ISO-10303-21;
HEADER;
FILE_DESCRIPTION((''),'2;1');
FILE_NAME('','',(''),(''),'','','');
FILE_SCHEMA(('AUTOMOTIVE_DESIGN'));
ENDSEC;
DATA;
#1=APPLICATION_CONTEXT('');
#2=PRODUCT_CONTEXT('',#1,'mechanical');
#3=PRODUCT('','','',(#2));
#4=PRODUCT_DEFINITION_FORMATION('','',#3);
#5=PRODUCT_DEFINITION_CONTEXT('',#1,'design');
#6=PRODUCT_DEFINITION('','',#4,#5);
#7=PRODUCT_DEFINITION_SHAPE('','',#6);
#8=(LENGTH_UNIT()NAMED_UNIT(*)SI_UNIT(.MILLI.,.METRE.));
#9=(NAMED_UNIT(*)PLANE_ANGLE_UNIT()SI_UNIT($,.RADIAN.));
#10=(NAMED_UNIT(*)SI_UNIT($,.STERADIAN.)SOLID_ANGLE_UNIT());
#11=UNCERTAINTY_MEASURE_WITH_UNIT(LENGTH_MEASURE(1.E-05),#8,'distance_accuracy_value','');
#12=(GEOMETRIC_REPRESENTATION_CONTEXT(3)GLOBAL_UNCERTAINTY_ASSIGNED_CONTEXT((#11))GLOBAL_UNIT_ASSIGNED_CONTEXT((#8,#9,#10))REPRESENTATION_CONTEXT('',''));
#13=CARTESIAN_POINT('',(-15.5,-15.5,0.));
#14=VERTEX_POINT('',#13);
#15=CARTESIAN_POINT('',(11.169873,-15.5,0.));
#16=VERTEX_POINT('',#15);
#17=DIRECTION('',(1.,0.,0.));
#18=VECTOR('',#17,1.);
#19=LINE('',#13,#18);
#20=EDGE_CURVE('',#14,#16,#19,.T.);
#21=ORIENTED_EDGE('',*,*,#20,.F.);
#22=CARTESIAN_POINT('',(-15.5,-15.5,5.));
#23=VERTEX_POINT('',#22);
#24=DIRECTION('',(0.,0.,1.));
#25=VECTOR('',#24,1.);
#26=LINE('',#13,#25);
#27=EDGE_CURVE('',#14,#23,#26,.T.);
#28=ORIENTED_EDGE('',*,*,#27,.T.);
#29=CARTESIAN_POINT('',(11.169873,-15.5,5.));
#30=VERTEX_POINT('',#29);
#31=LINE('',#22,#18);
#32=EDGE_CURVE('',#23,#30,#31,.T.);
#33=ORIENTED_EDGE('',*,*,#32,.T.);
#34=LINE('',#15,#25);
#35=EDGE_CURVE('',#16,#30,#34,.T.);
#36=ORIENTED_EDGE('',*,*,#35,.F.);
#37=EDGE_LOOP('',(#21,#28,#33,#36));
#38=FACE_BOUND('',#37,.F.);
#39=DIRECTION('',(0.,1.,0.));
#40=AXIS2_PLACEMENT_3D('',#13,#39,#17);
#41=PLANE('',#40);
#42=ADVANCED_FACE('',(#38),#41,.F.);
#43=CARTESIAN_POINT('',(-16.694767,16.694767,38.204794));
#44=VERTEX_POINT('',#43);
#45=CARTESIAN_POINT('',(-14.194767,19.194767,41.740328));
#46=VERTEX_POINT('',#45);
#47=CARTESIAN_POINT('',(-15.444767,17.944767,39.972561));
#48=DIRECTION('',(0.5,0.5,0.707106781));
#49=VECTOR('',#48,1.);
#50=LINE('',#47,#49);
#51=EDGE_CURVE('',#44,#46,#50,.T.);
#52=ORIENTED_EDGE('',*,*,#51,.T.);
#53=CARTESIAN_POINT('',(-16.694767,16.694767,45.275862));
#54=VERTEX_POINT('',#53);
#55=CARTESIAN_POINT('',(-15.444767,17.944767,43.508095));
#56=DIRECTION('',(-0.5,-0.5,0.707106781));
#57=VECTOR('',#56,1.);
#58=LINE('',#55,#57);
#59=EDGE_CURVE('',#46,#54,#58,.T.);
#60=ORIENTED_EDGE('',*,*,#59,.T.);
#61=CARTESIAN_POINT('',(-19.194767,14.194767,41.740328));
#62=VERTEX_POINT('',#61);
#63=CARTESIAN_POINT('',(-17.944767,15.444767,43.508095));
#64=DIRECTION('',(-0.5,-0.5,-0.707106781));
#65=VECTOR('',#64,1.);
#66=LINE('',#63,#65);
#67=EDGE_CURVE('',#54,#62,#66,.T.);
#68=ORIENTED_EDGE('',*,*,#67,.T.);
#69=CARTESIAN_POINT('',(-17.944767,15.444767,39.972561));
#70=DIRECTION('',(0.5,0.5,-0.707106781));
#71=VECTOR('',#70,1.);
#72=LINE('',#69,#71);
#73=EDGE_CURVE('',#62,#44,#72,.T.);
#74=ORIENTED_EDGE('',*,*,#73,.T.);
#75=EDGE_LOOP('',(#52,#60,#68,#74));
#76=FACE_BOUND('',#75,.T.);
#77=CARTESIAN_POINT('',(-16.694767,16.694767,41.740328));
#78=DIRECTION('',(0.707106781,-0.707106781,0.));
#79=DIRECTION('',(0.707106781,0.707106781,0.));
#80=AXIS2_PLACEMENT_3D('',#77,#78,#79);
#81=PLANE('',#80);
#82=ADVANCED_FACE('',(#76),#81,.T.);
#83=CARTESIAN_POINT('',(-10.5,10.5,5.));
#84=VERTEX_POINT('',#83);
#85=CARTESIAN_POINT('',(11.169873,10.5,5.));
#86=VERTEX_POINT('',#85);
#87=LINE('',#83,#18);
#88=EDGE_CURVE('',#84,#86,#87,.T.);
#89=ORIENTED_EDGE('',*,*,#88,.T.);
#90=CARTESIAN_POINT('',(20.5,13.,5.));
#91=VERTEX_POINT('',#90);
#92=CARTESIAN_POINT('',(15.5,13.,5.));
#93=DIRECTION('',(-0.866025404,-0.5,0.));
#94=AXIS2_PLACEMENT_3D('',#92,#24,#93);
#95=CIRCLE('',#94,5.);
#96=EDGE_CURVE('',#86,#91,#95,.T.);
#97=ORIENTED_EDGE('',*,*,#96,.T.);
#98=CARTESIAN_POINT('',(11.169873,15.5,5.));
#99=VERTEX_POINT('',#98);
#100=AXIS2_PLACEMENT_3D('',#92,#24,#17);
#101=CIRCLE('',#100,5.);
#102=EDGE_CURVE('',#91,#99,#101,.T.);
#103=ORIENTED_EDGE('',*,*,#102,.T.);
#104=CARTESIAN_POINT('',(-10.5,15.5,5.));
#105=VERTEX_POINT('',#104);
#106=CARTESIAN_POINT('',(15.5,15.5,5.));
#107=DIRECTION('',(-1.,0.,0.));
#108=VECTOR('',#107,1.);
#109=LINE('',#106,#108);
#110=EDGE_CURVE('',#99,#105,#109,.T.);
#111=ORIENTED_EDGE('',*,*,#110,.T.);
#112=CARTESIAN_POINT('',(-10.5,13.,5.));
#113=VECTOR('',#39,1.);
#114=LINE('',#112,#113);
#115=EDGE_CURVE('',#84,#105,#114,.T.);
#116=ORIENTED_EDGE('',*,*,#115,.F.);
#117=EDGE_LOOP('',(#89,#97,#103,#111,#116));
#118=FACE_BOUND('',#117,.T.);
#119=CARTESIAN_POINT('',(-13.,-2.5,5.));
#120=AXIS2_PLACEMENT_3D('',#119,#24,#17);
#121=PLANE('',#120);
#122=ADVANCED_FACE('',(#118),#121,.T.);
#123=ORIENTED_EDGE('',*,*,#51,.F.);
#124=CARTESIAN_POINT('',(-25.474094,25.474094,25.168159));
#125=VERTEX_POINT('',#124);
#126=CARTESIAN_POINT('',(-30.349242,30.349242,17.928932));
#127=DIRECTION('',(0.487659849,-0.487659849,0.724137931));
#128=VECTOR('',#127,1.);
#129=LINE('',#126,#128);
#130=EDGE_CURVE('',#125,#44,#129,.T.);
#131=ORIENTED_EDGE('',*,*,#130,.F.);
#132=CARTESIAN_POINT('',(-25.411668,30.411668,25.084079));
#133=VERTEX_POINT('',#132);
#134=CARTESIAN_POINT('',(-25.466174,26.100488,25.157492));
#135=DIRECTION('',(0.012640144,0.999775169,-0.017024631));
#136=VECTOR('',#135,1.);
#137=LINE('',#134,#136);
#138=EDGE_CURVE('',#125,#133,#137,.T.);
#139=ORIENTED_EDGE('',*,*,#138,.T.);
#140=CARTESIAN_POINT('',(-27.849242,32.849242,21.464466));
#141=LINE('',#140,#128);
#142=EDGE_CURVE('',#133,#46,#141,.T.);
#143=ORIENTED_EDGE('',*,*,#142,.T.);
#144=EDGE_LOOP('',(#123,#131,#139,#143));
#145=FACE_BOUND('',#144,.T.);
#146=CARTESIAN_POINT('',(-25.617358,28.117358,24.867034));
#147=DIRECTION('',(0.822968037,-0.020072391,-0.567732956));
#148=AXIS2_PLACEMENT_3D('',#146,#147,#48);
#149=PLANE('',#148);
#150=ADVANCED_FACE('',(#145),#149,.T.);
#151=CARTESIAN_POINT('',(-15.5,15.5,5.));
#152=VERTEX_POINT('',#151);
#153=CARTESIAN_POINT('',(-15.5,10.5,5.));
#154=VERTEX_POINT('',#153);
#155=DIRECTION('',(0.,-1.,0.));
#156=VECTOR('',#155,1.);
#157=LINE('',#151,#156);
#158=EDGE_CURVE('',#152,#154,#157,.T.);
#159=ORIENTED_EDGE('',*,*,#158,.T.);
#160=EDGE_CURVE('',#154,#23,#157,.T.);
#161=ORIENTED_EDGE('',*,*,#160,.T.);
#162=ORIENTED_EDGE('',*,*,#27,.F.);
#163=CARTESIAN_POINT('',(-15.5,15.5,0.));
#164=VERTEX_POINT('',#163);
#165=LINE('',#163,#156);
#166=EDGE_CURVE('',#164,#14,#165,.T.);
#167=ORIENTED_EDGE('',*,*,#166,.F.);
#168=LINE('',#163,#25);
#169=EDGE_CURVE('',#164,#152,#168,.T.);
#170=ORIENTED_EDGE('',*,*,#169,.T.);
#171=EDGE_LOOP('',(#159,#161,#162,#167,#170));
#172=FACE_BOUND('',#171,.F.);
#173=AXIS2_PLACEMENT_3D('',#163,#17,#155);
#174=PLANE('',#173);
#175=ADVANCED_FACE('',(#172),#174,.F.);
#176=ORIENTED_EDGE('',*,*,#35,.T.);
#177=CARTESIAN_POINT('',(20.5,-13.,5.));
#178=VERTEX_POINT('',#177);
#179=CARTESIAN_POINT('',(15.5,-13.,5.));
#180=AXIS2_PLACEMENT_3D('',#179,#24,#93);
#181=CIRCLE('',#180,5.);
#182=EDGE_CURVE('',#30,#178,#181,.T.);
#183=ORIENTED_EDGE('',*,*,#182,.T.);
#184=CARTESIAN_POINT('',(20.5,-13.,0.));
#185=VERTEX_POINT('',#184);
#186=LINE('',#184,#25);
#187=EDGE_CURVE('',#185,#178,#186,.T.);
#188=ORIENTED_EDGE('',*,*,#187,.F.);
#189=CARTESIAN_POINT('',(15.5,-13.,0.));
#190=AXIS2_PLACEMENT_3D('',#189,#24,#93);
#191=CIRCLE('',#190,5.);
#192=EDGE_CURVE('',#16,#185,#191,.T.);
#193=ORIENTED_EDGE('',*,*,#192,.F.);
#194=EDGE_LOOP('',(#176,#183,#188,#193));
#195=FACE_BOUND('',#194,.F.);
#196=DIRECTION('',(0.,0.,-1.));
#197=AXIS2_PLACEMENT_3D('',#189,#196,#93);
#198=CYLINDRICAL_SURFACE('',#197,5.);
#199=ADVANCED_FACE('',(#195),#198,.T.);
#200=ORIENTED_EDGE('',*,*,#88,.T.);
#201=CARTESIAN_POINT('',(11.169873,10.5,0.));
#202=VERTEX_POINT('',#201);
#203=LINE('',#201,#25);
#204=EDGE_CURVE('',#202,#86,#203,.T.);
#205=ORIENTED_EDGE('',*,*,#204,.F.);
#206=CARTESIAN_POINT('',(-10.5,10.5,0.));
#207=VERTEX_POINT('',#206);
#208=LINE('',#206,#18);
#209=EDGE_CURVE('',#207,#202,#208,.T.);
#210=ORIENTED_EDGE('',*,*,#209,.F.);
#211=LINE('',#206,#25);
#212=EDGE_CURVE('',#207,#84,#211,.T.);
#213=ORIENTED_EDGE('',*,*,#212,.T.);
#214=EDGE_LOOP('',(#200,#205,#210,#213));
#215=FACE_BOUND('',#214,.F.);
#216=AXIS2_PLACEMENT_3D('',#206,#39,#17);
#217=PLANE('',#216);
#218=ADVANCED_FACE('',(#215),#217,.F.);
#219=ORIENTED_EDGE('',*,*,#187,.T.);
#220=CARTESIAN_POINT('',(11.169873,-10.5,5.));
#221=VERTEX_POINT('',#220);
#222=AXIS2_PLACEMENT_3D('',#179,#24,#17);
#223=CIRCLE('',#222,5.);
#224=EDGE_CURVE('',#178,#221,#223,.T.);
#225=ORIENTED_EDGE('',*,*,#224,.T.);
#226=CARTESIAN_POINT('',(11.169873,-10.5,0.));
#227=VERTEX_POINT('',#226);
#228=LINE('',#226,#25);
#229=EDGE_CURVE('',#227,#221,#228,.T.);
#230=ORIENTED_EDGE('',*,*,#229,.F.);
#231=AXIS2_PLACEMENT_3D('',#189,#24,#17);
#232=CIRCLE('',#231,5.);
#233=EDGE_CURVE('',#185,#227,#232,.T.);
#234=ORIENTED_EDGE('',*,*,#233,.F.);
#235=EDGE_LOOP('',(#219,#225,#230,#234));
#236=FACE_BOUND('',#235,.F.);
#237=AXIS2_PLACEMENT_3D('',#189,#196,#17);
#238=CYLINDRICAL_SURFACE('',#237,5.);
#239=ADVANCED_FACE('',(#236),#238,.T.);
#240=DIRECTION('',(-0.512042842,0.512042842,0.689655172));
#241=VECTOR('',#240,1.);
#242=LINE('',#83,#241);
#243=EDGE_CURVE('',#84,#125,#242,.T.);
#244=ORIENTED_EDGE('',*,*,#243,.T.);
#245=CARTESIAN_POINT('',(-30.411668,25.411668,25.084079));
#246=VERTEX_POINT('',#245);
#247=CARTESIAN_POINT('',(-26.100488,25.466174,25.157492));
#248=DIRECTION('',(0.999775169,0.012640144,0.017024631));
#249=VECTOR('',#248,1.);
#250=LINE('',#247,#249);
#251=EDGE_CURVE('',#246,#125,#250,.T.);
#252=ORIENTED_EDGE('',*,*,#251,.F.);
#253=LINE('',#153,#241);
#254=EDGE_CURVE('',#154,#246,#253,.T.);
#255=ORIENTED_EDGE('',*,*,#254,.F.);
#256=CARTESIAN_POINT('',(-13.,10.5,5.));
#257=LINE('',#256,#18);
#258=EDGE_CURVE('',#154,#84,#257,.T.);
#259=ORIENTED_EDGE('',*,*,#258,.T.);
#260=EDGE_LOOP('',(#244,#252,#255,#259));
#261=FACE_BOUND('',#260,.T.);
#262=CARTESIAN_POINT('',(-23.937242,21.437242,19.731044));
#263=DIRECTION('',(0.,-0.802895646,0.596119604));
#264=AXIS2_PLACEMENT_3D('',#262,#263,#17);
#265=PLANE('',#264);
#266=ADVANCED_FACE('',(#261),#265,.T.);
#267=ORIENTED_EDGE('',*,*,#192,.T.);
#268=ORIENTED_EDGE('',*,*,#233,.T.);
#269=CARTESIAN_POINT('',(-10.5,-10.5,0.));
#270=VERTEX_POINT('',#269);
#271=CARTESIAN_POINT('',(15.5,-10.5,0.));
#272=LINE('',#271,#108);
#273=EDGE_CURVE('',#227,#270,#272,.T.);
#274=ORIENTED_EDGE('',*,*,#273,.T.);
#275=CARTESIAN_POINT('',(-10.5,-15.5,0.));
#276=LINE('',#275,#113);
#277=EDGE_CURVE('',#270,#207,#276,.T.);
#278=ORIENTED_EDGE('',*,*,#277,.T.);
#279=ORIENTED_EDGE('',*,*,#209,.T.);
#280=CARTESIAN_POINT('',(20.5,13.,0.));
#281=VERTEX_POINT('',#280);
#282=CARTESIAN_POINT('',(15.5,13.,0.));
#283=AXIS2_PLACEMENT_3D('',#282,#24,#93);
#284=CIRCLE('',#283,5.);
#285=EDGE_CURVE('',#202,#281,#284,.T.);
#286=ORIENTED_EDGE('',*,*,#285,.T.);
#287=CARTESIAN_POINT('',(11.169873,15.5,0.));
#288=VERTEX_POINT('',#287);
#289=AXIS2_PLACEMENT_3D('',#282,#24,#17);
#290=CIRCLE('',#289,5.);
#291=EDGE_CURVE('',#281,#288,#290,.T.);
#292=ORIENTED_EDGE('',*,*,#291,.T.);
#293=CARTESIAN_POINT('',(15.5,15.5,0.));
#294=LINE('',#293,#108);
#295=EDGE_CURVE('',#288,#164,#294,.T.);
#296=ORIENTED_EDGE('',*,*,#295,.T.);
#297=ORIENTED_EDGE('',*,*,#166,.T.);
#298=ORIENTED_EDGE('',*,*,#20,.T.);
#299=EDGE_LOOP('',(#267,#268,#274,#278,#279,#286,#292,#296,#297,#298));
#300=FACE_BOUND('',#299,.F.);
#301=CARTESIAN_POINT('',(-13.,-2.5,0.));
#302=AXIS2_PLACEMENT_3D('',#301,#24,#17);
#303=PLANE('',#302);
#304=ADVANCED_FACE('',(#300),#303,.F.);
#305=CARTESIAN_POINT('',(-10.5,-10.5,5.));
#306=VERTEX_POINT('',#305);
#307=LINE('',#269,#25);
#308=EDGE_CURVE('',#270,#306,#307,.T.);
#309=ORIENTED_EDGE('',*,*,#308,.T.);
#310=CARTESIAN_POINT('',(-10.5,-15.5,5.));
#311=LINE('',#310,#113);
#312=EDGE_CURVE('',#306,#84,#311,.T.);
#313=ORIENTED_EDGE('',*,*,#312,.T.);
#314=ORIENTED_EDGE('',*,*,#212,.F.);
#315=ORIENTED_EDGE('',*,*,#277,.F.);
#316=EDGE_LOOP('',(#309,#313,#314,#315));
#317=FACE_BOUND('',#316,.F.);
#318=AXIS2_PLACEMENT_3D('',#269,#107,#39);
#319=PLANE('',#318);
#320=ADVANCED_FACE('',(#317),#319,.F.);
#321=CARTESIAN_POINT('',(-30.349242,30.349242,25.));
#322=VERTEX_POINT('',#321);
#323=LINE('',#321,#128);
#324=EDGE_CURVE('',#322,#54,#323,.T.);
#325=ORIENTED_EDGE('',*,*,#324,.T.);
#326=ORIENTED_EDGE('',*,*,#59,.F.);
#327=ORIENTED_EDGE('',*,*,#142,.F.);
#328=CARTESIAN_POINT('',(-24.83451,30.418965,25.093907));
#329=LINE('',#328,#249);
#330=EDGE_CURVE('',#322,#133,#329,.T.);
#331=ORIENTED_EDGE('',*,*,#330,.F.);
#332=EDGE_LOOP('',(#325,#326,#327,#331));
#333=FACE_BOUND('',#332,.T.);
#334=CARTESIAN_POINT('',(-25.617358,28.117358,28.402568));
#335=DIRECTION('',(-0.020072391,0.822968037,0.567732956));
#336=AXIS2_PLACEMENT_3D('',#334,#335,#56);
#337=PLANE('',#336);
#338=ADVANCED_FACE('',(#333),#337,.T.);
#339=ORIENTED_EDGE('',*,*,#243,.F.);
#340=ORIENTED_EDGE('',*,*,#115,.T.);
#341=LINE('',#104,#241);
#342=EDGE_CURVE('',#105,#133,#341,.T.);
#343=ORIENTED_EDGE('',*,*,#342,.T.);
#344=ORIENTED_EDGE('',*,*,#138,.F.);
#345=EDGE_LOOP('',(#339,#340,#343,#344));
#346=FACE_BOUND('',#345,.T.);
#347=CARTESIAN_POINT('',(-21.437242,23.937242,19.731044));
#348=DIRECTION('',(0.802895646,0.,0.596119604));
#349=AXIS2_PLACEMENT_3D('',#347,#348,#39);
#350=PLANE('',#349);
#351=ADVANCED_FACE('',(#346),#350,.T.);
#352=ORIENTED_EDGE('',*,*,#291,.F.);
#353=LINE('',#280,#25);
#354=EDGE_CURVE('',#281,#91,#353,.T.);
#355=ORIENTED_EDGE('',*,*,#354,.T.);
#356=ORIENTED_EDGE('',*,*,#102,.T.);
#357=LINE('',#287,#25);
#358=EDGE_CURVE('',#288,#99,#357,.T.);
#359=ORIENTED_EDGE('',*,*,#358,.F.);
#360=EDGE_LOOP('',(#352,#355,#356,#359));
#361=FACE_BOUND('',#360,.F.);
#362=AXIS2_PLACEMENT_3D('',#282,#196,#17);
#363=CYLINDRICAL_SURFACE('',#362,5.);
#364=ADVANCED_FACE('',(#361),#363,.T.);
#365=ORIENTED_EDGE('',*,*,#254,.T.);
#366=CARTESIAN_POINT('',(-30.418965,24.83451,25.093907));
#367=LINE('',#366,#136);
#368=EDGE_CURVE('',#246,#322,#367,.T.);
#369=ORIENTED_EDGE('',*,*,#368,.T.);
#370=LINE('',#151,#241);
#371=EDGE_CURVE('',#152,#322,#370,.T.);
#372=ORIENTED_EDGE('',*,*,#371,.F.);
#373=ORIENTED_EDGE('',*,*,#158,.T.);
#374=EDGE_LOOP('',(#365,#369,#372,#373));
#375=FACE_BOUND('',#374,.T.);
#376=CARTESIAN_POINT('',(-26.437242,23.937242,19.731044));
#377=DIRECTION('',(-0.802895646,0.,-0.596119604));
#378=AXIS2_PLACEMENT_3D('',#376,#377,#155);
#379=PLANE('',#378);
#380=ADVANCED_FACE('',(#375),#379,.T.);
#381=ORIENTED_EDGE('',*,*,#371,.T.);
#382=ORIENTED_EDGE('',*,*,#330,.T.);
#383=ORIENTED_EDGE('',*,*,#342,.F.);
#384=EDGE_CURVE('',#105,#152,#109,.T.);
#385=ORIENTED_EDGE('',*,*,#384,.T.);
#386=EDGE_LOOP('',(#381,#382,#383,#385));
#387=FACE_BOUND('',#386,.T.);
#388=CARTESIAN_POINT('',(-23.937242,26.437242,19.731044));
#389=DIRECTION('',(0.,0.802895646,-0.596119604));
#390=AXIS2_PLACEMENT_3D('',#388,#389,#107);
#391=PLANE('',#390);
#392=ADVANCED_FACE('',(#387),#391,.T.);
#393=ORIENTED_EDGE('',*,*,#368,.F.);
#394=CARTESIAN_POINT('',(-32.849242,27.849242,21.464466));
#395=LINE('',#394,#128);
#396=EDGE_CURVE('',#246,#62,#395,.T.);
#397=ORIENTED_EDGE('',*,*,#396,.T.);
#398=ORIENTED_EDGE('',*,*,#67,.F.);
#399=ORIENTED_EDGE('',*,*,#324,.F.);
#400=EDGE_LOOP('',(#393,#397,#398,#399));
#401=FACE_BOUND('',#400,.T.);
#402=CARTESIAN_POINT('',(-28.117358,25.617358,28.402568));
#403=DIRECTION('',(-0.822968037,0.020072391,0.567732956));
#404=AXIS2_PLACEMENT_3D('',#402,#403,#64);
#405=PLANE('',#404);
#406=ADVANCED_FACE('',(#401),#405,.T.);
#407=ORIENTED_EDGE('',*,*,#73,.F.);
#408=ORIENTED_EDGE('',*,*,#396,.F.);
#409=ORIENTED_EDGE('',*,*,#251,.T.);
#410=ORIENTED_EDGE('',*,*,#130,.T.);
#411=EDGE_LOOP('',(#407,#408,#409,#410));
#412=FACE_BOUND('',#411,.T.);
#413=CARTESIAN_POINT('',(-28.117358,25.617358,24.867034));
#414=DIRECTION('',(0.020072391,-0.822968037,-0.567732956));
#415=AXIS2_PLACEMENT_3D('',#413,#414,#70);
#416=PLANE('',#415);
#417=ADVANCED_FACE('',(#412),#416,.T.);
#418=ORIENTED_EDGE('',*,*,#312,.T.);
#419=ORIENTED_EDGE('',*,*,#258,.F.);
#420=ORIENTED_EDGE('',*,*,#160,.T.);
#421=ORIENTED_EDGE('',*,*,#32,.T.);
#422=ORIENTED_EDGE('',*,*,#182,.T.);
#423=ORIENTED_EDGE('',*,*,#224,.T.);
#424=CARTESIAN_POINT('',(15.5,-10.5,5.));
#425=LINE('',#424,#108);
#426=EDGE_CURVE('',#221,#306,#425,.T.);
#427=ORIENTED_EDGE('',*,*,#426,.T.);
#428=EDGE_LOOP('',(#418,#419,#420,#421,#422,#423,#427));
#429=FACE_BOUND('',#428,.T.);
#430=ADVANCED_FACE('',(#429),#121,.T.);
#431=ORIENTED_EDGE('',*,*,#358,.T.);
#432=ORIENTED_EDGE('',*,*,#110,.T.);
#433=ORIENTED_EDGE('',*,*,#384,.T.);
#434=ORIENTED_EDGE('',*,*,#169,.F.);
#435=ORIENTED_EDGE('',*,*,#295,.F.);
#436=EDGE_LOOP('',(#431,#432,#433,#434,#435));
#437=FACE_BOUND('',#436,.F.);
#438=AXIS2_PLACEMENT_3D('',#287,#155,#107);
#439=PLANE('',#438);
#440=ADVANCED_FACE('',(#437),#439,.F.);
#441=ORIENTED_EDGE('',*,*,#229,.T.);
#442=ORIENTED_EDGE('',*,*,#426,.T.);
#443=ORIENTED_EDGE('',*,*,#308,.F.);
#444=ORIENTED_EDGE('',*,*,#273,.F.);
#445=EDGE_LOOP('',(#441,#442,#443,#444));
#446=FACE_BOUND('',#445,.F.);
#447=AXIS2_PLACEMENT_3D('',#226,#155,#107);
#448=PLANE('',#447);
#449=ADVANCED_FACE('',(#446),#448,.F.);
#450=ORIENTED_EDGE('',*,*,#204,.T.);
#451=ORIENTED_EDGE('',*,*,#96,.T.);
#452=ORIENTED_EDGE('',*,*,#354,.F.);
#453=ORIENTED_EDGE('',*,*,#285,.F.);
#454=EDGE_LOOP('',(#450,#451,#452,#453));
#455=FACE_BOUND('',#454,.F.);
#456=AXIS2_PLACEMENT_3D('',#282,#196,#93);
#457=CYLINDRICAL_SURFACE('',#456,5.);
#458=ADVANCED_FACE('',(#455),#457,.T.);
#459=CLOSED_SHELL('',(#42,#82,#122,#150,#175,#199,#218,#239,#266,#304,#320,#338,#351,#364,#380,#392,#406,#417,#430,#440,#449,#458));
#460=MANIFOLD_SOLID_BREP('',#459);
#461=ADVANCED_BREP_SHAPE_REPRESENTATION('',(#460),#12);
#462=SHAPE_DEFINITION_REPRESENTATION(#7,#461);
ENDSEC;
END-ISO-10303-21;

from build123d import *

# Parameters (mm, degrees)
F2_DEPTH = 5
F3_W     = 5
F3_H     = 5


with BuildPart() as f2:
    # F1 (on Top) → F2 (new body)
    with BuildSketch(Plane.XY):
        Polygon((-10.5, -10.5), (-10.5, 10.5), (-15.5, 10.5), (-15.5, -15.5), (-10.5, -15.5), align=None)
        with BuildLine():
            Line((-10.5, 10.5), (10.5, 10.5))
            Line((10.5, 10.5), (11.1698729811, 10.5))
            ThreePointArc((11.1698729811, 10.5), (10.5, 13), (11.1698729811, 15.5))
            Line((11.1698729811, 15.5), (-15.5, 15.5))
            Line((-15.5, 15.5), (-15.5, 10.5))
            Line((-15.5, 10.5), (-10.5, 10.5))
        make_face()
        with BuildLine():
            ThreePointArc((11.1698729811, 15.5), (10.5, 13), (11.1698729811, 10.5))
            Line((11.1698729811, 10.5), (15.5, 10.5))
            Line((15.5, 10.5), (15.5, 15.5))
            Line((15.5, 15.5), (11.1698729811, 15.5))
        make_face()
        with BuildLine():
            Line((15.5, 10.5), (11.1698729811, 10.5))
            ThreePointArc((11.1698729811, 10.5), (16.7940952255, 8.1703708686), (20.5, 13))
            ThreePointArc((20.5, 13), (16.7940952255, 17.8296291314), (11.1698729811, 15.5))
            Line((11.1698729811, 15.5), (15.5, 15.5))
            Line((15.5, 15.5), (15.5, 10.5))
        make_face()
        with BuildLine():
            Line((11.1698729811, -10.5), (10.5, -10.5))
            Line((10.5, -10.5), (-10.5, -10.5))
            Line((-10.5, -10.5), (-10.5, -15.5))
            Line((-10.5, -15.5), (11.1698729811, -15.5))
            ThreePointArc((11.1698729811, -15.5), (10.5, -13), (11.1698729811, -10.5))
        make_face()
        with BuildLine():
            Line((15.5, -10.5), (11.1698729811, -10.5))
            ThreePointArc((11.1698729811, -10.5), (10.5, -13), (11.1698729811, -15.5))
            Line((11.1698729811, -15.5), (15.5, -15.5))
            Line((15.5, -15.5), (15.5, -10.5))
        make_face()
        with BuildLine():
            ThreePointArc((20.5, -13), (16.7940952255, -8.1703708686), (11.1698729811, -10.5))
            Line((11.1698729811, -10.5), (15.5, -10.5))
            Line((15.5, -10.5), (15.5, -15.5))
            Line((15.5, -15.5), (11.1698729811, -15.5))
            ThreePointArc((11.1698729811, -15.5), (16.7940952255, -17.8296291314), (20.5, -13))
        make_face()
    extrude(amount=F2_DEPTH)

    # F7: sweep along a path in F6
    with BuildLine(Plane(origin=(0, 0, 0), x_dir=(0.7071067812, -0.7071067812, 0), z_dir=(-0.7071067812, -0.7071067812, 0))) as f7_path:
        Line((-21.9203102168, 5), (-42.9203102168, 25))
        Line((-42.9203102168, 25), (-23.6099653892, 45.275862069))
    # F3 (on face) → F7 (sweep)
    with BuildSketch(Plane.XY.offset(5)):
        with Locations((-13, 13)):
            Rectangle(F3_W, F3_H)
    sweep(path=f7_path.line, transition=Transition.RIGHT)


solid = f2.part
